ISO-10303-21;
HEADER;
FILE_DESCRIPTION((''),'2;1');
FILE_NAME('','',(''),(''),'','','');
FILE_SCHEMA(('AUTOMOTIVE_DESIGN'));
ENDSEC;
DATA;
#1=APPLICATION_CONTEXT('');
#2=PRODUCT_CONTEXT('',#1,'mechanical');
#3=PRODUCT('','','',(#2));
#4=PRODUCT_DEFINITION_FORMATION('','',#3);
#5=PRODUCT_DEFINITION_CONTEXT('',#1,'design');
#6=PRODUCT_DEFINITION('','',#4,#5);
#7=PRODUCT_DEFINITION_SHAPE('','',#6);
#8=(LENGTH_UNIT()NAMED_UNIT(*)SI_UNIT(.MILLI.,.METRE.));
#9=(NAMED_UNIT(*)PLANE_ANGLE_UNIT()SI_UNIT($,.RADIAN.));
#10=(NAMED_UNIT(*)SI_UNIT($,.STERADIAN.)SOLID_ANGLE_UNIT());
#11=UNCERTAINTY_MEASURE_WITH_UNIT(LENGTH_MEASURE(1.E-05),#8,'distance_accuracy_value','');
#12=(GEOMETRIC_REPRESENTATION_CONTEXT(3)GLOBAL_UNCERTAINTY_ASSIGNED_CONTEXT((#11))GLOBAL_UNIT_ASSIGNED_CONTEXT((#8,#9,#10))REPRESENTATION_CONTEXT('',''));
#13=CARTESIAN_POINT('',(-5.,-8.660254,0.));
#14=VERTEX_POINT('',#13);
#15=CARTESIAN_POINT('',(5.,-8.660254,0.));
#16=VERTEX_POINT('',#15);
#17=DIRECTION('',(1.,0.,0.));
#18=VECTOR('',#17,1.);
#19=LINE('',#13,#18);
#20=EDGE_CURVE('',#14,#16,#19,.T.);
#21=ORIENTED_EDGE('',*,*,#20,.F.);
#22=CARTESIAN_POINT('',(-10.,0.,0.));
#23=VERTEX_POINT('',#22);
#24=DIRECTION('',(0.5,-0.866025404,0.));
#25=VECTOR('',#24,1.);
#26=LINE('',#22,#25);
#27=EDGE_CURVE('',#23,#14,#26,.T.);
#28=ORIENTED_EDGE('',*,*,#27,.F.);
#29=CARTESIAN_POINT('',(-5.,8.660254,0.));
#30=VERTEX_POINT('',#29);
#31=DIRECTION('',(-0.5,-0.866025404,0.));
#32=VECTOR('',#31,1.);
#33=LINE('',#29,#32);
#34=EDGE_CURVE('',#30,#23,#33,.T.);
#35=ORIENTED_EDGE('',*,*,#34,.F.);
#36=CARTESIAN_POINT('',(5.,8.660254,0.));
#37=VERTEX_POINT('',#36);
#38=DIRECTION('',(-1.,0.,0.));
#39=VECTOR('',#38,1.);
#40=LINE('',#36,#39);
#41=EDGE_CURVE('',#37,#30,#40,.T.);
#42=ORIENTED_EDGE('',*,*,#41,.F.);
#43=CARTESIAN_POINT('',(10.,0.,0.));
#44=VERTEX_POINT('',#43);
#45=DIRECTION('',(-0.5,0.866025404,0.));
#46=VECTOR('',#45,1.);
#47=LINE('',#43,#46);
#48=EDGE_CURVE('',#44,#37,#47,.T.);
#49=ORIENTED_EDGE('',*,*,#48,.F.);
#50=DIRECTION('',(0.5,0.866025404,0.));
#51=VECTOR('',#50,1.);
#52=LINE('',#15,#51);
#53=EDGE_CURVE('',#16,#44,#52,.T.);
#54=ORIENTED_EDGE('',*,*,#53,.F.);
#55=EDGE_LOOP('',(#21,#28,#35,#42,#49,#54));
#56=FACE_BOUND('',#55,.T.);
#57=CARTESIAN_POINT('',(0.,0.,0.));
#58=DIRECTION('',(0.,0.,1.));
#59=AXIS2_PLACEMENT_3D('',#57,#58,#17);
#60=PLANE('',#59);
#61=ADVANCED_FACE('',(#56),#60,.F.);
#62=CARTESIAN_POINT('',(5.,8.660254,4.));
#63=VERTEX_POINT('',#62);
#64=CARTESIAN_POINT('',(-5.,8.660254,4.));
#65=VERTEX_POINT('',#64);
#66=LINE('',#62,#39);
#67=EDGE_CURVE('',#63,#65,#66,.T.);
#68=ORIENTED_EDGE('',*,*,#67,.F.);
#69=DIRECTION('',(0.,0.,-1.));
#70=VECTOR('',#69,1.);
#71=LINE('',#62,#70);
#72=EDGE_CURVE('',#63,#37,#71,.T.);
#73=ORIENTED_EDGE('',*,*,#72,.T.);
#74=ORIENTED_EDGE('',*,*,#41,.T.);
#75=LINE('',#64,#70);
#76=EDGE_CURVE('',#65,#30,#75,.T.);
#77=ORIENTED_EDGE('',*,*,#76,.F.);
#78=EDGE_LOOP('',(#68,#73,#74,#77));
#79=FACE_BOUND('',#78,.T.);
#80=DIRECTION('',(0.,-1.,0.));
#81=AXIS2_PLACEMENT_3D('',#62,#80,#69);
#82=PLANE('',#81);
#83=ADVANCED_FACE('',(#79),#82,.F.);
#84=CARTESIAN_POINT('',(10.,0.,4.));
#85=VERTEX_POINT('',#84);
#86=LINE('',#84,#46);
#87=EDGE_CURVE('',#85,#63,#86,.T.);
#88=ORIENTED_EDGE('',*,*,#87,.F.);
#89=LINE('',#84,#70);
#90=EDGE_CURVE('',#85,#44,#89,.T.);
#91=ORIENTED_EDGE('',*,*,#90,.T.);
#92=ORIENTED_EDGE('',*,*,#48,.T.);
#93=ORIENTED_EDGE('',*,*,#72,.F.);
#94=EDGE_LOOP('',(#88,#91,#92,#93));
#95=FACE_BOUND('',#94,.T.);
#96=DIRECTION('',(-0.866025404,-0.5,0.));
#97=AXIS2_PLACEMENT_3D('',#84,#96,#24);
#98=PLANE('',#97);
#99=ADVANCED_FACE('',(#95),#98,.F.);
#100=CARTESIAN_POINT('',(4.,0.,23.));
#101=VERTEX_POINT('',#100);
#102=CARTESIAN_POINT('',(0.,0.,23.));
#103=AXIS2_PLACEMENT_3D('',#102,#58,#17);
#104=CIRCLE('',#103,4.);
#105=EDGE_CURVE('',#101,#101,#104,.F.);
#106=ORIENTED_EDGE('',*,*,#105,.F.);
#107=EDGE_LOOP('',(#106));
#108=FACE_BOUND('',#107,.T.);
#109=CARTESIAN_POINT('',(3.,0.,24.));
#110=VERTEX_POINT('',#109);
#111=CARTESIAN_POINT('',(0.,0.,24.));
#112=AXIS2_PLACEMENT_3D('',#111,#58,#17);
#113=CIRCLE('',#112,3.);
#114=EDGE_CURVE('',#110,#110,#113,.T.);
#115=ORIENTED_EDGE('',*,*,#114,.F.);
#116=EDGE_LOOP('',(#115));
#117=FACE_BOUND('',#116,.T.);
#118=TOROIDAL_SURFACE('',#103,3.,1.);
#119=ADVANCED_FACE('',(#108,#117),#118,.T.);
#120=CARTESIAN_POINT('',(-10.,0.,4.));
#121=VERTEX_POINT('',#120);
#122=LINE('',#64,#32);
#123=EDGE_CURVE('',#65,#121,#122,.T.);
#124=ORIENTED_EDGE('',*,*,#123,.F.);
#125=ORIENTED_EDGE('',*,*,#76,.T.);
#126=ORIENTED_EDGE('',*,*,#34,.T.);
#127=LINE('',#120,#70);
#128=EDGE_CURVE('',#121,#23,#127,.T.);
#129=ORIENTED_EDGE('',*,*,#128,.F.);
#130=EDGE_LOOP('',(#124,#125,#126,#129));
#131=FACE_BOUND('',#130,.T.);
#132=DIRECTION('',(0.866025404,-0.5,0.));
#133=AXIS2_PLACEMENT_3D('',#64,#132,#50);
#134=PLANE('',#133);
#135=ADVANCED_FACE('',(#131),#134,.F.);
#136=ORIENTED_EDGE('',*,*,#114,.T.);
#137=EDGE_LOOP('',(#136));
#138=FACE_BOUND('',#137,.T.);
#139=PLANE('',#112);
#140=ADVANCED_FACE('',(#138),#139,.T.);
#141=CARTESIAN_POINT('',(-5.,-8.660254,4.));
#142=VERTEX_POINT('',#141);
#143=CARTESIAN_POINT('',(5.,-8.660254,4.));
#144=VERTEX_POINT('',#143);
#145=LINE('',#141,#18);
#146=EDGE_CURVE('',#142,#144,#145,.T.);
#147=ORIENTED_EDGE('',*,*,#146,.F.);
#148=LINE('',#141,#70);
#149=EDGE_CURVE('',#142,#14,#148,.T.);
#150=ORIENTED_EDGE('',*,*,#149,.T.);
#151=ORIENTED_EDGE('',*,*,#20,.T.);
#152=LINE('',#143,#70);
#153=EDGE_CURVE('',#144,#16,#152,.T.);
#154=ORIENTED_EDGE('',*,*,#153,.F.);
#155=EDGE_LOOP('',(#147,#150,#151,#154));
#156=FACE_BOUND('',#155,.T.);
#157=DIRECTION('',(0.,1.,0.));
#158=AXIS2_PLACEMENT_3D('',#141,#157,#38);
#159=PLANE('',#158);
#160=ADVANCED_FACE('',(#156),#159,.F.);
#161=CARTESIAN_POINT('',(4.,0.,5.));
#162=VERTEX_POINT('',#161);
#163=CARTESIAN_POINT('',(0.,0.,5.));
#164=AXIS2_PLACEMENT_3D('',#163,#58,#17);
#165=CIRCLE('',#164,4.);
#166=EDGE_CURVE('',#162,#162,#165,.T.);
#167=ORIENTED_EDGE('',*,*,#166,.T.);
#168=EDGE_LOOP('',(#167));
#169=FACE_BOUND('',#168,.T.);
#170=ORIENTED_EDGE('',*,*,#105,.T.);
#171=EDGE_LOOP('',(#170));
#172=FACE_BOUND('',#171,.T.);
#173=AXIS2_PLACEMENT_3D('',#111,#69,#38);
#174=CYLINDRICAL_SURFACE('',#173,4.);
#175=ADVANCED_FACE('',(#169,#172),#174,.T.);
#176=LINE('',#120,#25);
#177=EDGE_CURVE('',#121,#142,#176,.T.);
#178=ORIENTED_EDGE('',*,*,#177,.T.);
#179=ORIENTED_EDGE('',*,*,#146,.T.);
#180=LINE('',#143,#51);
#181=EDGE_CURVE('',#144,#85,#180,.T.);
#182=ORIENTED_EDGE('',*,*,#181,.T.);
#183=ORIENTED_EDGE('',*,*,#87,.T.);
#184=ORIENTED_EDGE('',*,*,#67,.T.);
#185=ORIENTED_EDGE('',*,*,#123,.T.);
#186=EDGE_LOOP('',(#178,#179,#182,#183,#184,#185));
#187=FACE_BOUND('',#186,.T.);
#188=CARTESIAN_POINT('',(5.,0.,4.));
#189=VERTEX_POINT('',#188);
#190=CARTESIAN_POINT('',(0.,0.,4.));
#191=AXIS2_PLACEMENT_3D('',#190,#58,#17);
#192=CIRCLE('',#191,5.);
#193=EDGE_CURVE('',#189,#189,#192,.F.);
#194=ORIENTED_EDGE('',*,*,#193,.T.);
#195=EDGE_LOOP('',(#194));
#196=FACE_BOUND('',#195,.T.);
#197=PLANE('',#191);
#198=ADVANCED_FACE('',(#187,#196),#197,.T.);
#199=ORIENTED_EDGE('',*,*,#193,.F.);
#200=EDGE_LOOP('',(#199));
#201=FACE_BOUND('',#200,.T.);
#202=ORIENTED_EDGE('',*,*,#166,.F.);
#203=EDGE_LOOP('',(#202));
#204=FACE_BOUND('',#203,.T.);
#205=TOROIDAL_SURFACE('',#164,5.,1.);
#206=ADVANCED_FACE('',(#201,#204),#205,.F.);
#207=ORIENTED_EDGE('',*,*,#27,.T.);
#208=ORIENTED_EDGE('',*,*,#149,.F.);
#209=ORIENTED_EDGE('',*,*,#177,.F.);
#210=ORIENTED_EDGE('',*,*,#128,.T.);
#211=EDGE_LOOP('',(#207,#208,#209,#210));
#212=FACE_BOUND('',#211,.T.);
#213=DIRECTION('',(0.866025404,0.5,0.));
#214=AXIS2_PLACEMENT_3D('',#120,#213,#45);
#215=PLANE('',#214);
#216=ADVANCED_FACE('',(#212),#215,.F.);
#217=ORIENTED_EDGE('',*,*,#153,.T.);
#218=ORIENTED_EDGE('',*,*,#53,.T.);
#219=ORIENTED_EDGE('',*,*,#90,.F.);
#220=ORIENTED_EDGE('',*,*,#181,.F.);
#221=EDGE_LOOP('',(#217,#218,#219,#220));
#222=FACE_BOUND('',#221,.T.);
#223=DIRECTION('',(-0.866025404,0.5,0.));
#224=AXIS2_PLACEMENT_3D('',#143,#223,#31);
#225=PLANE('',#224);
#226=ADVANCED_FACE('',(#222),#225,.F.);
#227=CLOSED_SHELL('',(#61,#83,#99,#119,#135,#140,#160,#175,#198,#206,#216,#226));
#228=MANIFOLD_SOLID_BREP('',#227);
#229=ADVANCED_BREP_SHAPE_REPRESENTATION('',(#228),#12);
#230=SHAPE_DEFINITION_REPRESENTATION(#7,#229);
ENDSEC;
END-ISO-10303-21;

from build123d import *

# Parameters (mm, degrees)
BOSS_EXTRUDE1_DEPTH = 4
SKETCH3_R           = 4
BOSS_EXTRUDE2_DEPTH = 20
FILLET2_R           = 1


with BuildPart() as part:
    # Sketch2 → Boss-Extrude1 (new body)
    with BuildSketch(Plane.XY):
        Polygon((-10, 0), (-5, -8.660254038), (5, -8.660254038), (10, 0), (5, 8.660254038), (-5, 8.660254038), align=None)
    extrude(amount=BOSS_EXTRUDE1_DEPTH)

    # Sketch3 → Boss-Extrude2 (add)
    with BuildSketch(Plane.XY.offset(4)):
        Circle(SKETCH3_R)
    extrude(amount=BOSS_EXTRUDE2_DEPTH)

    # Fillet2
    fillet2_edges = [part.edges().sort_by_distance(p)[0] for p in [
        (-4, 0, 4),
        (-4, 0, 24),
    ]]
    fillet(fillet2_edges, radius=FILLET2_R)


solid = part.part
